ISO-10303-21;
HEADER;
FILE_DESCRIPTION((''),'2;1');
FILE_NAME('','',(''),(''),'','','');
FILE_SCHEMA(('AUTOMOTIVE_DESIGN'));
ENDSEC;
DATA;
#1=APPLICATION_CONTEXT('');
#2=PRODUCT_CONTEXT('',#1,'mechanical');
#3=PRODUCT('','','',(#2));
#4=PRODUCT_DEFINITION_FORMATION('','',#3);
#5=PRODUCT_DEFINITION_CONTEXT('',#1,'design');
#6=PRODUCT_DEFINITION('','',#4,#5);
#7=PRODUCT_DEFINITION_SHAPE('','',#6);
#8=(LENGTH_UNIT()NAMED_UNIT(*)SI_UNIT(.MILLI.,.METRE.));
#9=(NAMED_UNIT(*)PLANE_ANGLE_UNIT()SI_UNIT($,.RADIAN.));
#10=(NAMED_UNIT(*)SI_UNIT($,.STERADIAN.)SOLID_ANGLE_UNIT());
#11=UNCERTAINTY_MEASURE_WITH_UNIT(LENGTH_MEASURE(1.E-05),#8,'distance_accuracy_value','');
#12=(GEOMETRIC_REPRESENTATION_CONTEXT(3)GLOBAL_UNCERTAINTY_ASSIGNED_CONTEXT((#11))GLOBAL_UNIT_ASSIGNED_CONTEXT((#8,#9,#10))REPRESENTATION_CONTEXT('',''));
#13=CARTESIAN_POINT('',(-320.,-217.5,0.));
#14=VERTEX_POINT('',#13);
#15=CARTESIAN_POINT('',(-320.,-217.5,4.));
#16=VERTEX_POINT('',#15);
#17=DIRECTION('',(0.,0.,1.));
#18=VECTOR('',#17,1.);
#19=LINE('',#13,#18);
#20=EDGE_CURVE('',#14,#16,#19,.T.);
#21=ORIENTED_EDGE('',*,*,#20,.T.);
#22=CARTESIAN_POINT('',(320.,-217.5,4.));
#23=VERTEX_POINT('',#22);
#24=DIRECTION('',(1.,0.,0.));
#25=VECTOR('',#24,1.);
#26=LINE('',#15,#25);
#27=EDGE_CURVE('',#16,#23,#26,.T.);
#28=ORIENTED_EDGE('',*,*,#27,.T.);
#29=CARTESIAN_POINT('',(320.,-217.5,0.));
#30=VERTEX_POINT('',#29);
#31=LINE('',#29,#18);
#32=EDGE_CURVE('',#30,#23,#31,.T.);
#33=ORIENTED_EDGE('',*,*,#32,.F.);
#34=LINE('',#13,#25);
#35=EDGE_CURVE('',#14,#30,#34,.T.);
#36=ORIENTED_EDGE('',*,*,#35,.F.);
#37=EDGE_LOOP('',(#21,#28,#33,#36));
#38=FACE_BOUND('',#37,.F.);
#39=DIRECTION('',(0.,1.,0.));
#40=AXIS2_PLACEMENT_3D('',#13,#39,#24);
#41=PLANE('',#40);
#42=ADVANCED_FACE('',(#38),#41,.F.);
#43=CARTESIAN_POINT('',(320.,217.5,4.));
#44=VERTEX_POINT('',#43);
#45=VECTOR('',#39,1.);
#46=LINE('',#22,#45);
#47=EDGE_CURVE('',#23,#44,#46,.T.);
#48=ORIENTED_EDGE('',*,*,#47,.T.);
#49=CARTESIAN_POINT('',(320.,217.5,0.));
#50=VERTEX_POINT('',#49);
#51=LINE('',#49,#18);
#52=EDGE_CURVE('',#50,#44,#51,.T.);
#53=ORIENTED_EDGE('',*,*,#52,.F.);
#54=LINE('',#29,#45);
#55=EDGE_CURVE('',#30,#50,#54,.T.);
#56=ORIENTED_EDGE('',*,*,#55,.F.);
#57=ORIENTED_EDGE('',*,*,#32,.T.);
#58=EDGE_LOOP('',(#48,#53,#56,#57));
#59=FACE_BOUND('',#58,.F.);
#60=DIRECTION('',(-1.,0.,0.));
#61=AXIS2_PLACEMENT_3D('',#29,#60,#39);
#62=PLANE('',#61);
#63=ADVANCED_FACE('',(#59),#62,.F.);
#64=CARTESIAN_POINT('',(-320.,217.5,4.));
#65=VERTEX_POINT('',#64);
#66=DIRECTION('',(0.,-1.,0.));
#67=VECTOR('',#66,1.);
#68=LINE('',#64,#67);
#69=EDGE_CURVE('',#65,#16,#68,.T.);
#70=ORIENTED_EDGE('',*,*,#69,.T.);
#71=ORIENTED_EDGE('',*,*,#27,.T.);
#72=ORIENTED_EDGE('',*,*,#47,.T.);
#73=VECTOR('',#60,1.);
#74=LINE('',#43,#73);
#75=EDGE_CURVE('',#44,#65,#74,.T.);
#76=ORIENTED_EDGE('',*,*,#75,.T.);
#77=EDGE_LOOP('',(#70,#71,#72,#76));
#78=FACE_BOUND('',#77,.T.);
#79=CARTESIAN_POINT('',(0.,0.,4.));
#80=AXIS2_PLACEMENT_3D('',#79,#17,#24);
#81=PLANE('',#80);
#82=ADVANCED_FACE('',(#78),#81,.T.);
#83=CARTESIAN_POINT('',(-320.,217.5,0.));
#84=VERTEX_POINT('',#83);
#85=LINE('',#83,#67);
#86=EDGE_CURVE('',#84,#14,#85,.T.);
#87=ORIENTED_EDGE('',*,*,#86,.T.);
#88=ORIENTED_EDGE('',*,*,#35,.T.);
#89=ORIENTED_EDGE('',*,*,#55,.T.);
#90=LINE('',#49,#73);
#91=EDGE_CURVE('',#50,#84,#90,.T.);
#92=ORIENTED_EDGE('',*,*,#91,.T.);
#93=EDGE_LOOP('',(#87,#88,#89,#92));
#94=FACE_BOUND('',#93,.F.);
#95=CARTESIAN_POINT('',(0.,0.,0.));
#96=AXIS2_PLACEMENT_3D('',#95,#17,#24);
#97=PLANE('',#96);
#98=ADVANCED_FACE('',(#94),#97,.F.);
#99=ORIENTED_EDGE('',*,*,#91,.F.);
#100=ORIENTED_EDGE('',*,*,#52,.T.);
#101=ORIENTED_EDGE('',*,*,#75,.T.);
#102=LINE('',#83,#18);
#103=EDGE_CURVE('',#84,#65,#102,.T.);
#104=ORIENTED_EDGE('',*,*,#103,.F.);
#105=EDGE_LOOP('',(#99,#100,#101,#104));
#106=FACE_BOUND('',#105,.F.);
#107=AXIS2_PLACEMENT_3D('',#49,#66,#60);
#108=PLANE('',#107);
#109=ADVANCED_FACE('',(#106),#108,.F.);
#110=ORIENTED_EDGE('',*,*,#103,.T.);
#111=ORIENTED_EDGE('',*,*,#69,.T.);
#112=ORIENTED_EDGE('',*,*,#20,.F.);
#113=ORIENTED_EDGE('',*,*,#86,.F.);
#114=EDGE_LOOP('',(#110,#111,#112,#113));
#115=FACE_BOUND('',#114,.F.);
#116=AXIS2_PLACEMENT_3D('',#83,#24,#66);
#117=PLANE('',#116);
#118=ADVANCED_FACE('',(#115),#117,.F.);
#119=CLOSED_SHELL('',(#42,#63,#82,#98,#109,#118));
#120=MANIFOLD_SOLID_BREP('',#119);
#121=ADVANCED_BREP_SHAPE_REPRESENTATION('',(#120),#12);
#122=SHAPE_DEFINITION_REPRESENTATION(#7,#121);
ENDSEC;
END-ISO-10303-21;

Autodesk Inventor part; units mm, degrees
ref_plane "YZ Plane" through (0, 0, 0) normal (1, 0, 0) x (0, 1, 0)
ref_plane "XZ Plane" through (0, 0, 0) normal (0, 1, 0) x (-1, 0, 0)
ref_plane "XY Plane" through (0, 0, 0) normal (0, 0, 1) x (1, 0, 0)
sketch "Эскиз5" plane through (0, 0, 0) normal (0, 0, 1) x (1, 0, 0)
  line L0 (-320, -217.5) -> (320, -217.5)
  line L1 (320, -217.5) -> (320, 217.5)
  line L2 (320, 217.5) -> (-320, 217.5)
  line L3 (-320, 217.5) -> (-320, -217.5)
  line L4 (-320, -217.5) -> (320, 217.5) construction
  line L5 (320, -217.5) -> (-320, 217.5) construction
  point P0 (0, 0)
  dimension "d64" = 640
  dimension "d65" = 435
extrude "Пластина2" add sketch "Эскиз5" along normal blind 4
equation "\"Радиус_гибки\" = Толщина"
equation "\"Ширина_просечки\" = Толщина"
equation "\"Глубина_просечки\" = 0.5 * Толщина"
equation "\"Размер_высечки\" = 4 * Толщина"
equation "\"Минимальный_остаток\" = 2 * Толщина"
equation "\"Радиус_перехода\" = Радиус_гибки"
equation "\"Радиус_Якоби\" = Радиус_гибки"
equation "\"Размер_зазора\" = Толщина"
equation "\"d2\" = Радиус_гибки"
equation "\"d66\" = Радиус_гибки"
equation "\"Толщина\" = 4"
properties material "Стекло"
